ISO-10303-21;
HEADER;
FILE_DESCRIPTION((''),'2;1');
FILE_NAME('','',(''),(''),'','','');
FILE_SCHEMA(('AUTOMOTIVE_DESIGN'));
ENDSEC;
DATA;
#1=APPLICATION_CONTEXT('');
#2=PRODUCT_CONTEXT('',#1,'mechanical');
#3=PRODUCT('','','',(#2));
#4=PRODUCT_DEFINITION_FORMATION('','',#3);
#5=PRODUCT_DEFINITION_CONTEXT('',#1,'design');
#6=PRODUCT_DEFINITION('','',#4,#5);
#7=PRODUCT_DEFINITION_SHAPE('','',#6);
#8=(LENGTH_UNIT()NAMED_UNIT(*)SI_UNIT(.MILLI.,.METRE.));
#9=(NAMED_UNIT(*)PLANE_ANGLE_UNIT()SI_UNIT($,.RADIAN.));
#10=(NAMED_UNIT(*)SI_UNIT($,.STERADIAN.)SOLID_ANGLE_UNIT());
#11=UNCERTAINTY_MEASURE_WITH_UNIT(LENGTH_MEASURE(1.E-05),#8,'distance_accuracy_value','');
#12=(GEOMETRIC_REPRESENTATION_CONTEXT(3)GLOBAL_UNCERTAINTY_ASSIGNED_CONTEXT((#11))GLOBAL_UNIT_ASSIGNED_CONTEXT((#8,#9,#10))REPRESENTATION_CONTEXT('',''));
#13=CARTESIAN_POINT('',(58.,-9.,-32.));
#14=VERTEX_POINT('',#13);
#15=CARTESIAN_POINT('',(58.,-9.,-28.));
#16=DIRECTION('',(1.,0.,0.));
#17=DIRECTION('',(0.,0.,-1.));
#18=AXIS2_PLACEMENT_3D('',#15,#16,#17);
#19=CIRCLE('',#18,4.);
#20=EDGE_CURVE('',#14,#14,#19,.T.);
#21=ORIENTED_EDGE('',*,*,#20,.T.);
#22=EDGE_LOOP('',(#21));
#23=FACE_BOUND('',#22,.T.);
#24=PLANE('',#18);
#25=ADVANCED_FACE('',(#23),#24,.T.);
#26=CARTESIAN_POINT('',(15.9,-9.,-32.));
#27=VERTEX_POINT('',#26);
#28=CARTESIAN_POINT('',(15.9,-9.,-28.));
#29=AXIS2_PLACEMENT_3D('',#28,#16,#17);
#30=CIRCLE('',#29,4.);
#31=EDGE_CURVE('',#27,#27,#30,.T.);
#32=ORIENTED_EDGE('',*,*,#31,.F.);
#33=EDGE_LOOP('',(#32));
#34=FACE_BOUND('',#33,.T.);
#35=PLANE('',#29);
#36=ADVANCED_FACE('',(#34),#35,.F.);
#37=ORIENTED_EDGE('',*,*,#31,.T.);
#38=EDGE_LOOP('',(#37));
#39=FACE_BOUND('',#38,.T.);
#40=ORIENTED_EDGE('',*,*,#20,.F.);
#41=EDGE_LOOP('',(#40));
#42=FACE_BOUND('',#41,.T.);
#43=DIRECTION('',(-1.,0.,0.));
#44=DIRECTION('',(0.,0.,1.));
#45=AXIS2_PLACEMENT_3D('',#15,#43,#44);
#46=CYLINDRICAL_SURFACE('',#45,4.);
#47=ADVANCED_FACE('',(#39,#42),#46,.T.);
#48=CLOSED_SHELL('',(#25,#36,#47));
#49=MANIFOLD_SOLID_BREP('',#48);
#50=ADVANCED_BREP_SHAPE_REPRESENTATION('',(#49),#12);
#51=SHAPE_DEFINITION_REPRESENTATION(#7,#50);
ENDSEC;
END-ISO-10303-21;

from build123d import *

# Parameters (mm, degrees)
GROUND_GUIDE_ROD_SKETCH_R = 4
GROUND_GUIDE_ROD_DEPTH    = 42.1


with BuildPart() as part:
    # Ground guide rod sketch → Ground guide rod (new body)
    with BuildSketch(Plane(origin=(15.9, 0, 0), x_dir=(0, 0, -1), z_dir=(1, 0, 0))):
        with Locations((28, -9)):
            Circle(GROUND_GUIDE_ROD_SKETCH_R)
    extrude(amount=GROUND_GUIDE_ROD_DEPTH)


solid = part.part
